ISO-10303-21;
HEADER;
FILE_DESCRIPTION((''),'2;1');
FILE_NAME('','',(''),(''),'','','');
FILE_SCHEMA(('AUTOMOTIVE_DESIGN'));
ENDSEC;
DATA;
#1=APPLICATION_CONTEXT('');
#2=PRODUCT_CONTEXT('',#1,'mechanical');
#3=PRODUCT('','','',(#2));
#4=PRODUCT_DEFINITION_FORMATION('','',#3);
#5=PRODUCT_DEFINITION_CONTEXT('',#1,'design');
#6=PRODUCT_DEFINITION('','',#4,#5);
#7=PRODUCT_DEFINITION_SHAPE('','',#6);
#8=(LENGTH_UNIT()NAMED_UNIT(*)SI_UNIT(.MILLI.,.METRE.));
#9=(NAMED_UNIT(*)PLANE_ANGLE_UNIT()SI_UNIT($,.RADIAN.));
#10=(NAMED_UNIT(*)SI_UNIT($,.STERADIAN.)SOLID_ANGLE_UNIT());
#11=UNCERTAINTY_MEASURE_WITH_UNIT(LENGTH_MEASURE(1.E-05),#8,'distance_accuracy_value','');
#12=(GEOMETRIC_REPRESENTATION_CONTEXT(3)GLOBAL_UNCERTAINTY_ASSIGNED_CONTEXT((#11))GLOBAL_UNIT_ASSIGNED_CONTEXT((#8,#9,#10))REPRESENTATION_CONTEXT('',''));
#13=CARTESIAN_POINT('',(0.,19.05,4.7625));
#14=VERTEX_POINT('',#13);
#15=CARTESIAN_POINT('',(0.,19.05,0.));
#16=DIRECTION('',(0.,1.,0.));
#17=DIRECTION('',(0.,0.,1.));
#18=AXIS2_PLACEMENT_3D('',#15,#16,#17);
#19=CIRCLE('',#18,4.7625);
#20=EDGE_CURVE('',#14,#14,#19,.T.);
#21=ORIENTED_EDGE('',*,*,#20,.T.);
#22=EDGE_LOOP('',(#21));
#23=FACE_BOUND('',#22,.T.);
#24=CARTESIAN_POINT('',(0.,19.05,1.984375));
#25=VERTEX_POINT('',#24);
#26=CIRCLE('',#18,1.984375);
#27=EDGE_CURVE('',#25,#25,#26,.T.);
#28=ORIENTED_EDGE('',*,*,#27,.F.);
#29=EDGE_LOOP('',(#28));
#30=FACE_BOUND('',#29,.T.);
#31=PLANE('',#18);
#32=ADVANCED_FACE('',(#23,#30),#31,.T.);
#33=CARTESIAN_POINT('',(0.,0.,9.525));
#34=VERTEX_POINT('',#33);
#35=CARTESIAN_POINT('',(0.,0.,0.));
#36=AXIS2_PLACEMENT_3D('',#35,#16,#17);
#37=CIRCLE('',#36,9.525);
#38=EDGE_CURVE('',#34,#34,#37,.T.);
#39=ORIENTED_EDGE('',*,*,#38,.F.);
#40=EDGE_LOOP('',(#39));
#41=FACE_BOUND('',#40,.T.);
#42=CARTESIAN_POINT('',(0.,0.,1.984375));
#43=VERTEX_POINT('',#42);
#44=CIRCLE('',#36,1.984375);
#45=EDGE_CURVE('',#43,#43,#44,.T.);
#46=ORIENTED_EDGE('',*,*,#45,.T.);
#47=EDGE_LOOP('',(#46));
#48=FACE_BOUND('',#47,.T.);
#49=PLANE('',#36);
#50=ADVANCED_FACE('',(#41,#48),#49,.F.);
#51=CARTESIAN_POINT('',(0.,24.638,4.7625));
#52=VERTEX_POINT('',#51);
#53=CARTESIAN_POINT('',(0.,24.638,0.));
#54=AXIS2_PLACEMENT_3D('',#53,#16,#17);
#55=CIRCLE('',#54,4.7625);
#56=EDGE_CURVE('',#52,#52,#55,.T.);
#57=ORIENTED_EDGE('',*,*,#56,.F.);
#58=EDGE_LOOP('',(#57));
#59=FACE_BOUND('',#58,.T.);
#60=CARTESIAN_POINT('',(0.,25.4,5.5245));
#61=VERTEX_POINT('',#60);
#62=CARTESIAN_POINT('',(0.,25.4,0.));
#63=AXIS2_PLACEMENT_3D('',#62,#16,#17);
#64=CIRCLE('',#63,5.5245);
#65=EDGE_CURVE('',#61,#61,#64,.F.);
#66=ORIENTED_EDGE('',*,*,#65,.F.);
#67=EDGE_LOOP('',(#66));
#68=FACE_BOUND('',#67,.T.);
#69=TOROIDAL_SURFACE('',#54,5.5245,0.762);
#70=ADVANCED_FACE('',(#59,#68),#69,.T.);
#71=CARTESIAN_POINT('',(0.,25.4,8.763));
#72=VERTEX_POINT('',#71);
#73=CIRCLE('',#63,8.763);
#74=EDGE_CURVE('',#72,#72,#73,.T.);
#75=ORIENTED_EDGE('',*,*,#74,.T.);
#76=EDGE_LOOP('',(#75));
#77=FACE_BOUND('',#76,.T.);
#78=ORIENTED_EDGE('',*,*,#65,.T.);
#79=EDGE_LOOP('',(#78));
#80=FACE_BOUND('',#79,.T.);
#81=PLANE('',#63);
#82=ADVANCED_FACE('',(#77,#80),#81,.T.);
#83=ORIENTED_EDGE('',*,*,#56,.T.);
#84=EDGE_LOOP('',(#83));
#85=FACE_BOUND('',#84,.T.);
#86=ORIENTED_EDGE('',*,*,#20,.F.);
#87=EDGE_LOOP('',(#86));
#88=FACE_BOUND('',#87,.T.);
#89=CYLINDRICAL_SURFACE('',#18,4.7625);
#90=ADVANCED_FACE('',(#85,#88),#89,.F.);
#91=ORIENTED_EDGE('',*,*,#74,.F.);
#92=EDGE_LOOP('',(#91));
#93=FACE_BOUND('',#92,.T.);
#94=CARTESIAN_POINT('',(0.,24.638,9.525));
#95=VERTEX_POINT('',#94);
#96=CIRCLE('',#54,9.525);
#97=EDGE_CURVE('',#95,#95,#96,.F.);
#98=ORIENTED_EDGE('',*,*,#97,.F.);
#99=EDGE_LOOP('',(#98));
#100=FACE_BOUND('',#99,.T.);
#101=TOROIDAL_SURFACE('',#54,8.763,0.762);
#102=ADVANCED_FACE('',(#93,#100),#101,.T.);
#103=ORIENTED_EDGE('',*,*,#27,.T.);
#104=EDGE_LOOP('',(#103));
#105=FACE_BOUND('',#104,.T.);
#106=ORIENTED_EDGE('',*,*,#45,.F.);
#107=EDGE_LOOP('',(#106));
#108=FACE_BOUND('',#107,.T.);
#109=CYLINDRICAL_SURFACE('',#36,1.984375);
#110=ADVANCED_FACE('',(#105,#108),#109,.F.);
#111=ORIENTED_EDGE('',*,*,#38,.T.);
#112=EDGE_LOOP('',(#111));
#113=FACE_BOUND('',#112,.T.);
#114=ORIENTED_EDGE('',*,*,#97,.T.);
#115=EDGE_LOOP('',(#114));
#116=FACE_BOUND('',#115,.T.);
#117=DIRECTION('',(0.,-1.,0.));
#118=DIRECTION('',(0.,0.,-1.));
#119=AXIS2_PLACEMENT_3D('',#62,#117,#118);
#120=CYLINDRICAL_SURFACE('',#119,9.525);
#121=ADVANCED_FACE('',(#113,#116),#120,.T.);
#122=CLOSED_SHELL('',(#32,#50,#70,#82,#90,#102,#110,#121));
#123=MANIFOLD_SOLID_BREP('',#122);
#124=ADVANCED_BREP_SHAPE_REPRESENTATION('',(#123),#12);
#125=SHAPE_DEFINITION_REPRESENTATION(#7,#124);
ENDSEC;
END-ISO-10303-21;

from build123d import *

# Parameters (mm, degrees)
SKETCH1_R           = 9.525
BOSS_EXTRUDE1_DEPTH = 25.4
SKETCH2_R           = 4.7625
CUT_EXTRUDE1_DEPTH  = 6.35
SKETCH3_R           = 1.984375
CUT_EXTRUDE2_DEPTH  = 24.3313898
FILLET1_R           = 0.762


with BuildPart() as part:
    # Sketch1 → Boss-Extrude1 (new body)
    with BuildSketch(Plane(origin=(0, 0, 0), x_dir=(1, 0, 0), z_dir=(0, 1, 0))):
        with Locations(Location((0, 0, 0), (0, 0, 270))):
            Circle(SKETCH1_R)
    extrude(amount=BOSS_EXTRUDE1_DEPTH)

    # Sketch2 → Cut-Extrude1 (cut)
    with BuildSketch(Plane(origin=(0, 25.4, 0), x_dir=(1, 0, 0), z_dir=(0, 1, 0))):
        with Locations(Location((0, 0, 0), (0, 0, 270))):
            Circle(SKETCH2_R)
    extrude(amount=-CUT_EXTRUDE1_DEPTH, mode=Mode.SUBTRACT)

    # Sketch3 → Cut-Extrude2 (cut, through all)
    with BuildSketch(Plane(origin=(0, 19.05, 0), x_dir=(1, 0, 0), z_dir=(0, 1, 0))):
        with Locations(Location((0, 0, 0), (0, 0, 270))):
            Circle(SKETCH3_R)
    extrude(amount=-CUT_EXTRUDE2_DEPTH, mode=Mode.SUBTRACT)

    # Fillet1
    fillet1_edges = [part.edges().sort_by_distance(p)[0] for p in [
        (0, 25.4, -9.525),
        (0, 25.4, -4.7625),
    ]]
    fillet(fillet1_edges, radius=FILLET1_R)


solid = part.part
